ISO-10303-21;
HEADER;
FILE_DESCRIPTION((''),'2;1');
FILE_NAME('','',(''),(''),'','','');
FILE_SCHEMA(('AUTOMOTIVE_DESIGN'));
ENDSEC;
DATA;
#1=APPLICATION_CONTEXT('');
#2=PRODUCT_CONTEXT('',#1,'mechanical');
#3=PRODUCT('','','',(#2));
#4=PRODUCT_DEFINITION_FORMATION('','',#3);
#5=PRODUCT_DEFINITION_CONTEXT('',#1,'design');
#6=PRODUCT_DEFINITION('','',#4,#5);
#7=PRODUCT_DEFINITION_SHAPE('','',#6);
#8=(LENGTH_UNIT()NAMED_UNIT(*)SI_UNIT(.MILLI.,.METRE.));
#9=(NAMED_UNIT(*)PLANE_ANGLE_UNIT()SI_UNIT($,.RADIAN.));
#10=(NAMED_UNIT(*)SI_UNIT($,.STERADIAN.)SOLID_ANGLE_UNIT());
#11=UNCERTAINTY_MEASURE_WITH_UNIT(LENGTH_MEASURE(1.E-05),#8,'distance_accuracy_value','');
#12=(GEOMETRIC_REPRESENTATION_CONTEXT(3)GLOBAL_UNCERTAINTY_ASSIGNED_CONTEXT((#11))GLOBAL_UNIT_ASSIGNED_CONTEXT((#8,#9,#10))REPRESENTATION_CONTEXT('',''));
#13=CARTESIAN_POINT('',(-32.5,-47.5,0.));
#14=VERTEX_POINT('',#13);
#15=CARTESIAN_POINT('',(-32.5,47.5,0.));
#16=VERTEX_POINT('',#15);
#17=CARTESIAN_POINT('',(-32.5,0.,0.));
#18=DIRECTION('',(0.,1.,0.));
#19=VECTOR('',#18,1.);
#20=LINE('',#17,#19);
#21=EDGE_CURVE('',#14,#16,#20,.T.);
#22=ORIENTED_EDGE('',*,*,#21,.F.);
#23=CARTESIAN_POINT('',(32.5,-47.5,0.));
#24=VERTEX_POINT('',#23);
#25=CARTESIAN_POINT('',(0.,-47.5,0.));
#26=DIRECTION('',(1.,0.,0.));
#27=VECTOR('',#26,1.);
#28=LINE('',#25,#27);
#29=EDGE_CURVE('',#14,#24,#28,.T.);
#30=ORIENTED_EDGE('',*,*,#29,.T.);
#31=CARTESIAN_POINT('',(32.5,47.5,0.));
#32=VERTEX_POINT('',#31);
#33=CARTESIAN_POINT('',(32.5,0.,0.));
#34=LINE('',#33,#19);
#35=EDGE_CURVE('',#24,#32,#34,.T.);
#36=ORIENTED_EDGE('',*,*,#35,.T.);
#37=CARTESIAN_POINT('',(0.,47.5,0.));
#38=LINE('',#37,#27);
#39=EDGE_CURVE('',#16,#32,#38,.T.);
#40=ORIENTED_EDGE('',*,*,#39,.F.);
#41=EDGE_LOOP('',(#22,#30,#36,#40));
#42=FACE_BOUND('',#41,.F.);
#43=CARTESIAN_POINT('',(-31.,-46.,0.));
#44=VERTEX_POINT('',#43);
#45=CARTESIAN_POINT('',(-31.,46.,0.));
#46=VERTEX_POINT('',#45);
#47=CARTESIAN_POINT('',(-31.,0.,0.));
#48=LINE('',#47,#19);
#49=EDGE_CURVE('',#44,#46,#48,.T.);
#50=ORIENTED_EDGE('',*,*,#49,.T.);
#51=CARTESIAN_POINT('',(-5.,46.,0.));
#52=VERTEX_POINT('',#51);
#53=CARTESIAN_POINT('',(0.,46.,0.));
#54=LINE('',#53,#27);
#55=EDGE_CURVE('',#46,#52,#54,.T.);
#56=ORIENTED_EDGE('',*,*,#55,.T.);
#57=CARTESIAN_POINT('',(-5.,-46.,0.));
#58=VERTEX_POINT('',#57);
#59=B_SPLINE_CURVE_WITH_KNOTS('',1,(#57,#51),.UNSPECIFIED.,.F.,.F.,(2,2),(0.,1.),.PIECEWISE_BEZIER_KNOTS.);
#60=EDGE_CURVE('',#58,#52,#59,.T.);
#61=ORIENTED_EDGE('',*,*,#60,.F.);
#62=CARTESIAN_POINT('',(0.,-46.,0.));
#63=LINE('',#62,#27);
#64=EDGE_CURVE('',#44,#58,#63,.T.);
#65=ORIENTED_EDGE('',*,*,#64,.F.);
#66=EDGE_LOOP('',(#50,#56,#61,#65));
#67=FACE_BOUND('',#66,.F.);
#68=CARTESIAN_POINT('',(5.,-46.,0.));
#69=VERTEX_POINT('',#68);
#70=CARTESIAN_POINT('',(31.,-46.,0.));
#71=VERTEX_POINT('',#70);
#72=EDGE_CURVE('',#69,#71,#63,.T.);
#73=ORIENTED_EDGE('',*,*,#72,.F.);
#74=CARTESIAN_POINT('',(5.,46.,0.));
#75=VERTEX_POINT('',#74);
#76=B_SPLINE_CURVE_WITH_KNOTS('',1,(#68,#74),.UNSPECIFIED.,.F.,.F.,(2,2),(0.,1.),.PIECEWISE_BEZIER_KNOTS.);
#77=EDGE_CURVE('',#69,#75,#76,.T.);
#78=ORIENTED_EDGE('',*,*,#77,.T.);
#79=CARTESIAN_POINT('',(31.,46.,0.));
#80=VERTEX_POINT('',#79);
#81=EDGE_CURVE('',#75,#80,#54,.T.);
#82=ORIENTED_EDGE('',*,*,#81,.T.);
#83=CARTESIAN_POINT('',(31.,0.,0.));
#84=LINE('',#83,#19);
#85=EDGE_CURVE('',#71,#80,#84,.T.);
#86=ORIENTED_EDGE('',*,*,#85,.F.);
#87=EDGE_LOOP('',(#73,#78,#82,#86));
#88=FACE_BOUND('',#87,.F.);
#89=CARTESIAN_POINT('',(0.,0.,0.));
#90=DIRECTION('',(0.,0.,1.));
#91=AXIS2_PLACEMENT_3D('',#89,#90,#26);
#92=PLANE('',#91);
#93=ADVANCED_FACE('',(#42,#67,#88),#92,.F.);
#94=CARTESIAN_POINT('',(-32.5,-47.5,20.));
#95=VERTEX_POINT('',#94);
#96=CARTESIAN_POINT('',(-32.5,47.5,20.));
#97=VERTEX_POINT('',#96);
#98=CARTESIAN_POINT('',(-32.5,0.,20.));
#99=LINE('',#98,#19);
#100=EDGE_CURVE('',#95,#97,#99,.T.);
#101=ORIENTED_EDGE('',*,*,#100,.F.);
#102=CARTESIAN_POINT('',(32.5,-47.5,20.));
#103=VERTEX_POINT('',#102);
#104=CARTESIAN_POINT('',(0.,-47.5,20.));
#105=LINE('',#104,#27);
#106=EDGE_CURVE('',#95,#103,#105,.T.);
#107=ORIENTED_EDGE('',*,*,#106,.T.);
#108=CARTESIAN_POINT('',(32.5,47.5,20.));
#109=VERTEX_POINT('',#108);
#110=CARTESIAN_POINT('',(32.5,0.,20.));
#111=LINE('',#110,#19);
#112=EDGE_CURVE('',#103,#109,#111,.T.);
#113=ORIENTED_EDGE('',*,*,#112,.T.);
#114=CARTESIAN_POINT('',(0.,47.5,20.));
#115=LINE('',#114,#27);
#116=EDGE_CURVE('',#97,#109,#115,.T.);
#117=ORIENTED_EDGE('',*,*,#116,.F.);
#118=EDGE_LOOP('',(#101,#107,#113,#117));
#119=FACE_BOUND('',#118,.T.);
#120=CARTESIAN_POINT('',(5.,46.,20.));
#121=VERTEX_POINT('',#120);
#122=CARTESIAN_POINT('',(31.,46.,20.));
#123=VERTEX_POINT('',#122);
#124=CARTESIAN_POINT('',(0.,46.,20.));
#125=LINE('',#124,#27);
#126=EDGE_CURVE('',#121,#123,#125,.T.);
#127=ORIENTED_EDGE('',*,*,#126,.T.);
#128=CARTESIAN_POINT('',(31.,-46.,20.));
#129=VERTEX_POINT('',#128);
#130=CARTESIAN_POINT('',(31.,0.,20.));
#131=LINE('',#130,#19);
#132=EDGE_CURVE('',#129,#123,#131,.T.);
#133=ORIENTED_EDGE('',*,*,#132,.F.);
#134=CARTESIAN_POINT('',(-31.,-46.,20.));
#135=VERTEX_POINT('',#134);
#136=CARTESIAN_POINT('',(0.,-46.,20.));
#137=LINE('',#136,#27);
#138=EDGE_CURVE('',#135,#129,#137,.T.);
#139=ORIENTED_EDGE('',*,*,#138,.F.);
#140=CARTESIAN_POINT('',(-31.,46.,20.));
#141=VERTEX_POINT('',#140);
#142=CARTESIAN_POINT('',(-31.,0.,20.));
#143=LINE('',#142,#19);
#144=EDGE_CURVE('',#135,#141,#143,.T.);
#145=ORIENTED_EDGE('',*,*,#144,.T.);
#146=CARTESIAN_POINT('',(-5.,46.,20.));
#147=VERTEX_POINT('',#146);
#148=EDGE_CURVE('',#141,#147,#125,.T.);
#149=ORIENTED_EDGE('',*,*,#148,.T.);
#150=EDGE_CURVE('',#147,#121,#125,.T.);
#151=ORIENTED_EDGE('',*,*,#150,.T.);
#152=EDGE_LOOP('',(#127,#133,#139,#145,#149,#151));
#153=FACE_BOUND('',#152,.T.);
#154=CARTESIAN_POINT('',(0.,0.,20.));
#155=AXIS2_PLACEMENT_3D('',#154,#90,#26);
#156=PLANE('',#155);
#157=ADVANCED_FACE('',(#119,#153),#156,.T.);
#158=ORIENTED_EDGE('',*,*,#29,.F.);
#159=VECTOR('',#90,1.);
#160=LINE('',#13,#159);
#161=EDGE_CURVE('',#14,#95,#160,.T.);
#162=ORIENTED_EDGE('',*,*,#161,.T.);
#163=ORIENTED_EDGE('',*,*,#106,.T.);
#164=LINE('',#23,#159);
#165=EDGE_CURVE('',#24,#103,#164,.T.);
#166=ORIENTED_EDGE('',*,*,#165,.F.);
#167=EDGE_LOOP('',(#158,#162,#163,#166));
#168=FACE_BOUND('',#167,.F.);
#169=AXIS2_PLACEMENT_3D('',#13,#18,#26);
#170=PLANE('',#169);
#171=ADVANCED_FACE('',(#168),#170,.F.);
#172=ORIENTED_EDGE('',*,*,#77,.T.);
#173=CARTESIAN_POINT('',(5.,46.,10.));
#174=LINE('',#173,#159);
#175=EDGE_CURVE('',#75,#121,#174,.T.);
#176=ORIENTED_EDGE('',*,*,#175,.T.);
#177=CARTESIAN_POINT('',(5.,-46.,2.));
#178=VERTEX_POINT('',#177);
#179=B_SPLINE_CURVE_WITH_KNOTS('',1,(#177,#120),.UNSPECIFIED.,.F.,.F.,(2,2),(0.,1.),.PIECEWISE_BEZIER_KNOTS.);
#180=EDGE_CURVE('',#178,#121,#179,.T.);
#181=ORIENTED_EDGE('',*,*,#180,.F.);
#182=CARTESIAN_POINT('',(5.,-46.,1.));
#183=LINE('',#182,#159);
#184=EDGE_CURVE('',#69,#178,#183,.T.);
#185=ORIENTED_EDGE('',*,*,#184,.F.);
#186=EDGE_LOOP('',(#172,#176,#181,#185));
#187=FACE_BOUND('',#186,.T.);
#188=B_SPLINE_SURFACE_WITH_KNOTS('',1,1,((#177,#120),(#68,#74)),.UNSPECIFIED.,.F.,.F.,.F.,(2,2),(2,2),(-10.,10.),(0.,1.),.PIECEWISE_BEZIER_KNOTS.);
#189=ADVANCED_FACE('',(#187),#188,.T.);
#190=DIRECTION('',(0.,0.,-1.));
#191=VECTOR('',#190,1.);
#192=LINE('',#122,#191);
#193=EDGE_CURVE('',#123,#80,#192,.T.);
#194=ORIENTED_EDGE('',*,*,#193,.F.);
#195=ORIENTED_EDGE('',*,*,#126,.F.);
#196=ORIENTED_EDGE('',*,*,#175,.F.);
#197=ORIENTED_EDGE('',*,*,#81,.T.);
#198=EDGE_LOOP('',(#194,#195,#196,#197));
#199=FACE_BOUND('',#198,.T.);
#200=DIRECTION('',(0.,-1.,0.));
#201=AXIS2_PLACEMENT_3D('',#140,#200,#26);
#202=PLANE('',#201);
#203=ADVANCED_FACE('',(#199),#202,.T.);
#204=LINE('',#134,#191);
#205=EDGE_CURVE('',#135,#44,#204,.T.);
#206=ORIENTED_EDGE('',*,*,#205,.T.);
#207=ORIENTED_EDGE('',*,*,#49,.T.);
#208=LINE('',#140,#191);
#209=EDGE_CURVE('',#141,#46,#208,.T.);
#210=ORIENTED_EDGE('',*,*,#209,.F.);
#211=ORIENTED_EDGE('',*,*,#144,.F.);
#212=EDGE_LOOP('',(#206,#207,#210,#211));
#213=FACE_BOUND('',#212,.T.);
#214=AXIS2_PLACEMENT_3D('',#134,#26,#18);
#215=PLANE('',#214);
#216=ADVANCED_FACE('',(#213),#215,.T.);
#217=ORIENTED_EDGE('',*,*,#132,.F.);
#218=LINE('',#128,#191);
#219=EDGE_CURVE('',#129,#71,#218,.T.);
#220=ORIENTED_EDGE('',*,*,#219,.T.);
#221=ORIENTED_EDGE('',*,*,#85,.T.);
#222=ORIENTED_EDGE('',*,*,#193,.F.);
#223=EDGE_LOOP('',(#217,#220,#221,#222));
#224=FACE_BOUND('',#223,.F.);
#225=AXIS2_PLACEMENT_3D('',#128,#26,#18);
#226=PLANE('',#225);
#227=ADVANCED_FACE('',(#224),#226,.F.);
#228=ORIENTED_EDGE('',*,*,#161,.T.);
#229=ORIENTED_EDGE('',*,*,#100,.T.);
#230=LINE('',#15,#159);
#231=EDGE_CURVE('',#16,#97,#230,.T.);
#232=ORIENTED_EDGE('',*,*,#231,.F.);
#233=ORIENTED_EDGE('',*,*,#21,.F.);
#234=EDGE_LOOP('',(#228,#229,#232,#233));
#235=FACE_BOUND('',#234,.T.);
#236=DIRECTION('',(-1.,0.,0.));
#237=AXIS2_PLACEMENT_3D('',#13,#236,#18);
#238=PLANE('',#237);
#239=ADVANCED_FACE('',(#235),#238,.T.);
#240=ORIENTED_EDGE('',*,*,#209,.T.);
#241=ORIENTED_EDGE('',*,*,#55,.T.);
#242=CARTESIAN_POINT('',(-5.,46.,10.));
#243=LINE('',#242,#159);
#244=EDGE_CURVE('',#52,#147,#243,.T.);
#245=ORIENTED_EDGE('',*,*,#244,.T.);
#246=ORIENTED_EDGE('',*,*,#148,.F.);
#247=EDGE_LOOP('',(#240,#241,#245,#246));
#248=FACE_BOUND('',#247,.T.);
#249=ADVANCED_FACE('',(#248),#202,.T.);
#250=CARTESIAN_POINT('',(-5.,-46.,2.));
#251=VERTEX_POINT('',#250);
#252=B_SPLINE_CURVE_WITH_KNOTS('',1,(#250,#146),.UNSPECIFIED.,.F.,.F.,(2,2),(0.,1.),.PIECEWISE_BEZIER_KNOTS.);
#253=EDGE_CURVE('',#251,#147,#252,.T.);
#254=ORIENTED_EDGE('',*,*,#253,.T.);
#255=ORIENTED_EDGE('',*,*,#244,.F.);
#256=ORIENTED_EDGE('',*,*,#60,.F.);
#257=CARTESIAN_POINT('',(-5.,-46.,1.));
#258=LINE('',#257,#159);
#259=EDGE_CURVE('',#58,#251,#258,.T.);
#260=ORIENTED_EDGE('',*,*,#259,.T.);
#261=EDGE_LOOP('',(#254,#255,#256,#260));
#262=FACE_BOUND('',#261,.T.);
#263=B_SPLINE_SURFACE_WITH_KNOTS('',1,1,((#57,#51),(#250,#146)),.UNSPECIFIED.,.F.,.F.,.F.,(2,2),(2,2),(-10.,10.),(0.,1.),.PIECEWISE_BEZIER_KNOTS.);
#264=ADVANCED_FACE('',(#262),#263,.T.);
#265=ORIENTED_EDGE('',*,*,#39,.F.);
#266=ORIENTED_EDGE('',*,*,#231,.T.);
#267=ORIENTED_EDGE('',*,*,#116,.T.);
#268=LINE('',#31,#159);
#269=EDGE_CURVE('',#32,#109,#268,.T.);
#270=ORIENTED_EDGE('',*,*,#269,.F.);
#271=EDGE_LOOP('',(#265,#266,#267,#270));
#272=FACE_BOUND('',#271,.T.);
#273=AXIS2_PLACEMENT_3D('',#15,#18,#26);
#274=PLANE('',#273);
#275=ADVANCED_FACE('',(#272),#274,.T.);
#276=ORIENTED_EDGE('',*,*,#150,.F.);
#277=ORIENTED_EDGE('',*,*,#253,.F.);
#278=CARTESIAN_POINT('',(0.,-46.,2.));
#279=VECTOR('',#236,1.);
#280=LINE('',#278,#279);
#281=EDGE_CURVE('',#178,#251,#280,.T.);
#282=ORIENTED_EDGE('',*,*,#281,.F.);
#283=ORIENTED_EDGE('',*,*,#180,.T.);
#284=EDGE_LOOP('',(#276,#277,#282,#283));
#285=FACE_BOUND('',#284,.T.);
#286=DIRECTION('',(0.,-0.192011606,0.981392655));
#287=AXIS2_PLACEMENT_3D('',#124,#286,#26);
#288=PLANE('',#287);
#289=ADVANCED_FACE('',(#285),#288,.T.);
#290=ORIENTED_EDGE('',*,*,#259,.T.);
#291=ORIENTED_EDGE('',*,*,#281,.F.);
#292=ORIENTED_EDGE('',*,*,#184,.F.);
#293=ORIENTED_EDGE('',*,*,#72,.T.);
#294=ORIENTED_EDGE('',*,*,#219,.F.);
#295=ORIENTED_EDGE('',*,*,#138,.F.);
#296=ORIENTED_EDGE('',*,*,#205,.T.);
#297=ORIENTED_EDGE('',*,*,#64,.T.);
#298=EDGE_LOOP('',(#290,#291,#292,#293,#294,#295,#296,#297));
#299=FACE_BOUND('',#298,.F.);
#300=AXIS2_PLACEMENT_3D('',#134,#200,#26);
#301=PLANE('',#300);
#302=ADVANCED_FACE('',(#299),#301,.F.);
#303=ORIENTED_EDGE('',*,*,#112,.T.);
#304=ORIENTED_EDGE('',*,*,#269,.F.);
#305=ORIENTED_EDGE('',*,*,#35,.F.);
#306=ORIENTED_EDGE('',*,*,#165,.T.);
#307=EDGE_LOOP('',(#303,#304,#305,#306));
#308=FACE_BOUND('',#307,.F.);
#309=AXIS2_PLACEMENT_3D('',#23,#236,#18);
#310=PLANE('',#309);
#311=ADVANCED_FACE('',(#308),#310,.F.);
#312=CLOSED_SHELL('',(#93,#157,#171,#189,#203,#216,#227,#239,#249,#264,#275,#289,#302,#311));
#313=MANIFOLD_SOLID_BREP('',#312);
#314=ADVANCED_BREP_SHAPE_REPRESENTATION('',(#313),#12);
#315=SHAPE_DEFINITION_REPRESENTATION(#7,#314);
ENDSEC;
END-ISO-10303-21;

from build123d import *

# Parameters (mm, degrees)
F0_W     = 65
F0_H     = 95
F1_DEPTH = 20
F2_W     = 62
F2_H     = 92
F3_DEPTH = 20
F5_W     = 10
F5_H     = 2
F4_W     = 10
F4_H     = 20


with BuildPart() as f1:
    # F0 (on Top) → F1 (new body)
    with BuildSketch(Plane.XY):
        Rectangle(F0_W, F0_H)
    extrude(amount=F1_DEPTH)

    # F2 (on face) → F3 (cut, through all)
    with BuildSketch(Plane.XY.offset(20)):
        Rectangle(F2_W, F2_H)
    extrude(amount=-F3_DEPTH, mode=Mode.SUBTRACT)

    # F5 (on face) → F6 section 0
    with BuildSketch(Plane(origin=(0, -46, 0), x_dir=(-1, 0, 0), z_dir=(0, 1, 0))):
        with Locations((0, 1)):
            Rectangle(F5_W, F5_H)
    # F4 (on face) → F6 section 1
    with BuildSketch(Plane.XZ.offset(-46)):
        with Locations((0, 10)):
            Rectangle(F4_W, F4_H)
    loft()


solid = f1.part
